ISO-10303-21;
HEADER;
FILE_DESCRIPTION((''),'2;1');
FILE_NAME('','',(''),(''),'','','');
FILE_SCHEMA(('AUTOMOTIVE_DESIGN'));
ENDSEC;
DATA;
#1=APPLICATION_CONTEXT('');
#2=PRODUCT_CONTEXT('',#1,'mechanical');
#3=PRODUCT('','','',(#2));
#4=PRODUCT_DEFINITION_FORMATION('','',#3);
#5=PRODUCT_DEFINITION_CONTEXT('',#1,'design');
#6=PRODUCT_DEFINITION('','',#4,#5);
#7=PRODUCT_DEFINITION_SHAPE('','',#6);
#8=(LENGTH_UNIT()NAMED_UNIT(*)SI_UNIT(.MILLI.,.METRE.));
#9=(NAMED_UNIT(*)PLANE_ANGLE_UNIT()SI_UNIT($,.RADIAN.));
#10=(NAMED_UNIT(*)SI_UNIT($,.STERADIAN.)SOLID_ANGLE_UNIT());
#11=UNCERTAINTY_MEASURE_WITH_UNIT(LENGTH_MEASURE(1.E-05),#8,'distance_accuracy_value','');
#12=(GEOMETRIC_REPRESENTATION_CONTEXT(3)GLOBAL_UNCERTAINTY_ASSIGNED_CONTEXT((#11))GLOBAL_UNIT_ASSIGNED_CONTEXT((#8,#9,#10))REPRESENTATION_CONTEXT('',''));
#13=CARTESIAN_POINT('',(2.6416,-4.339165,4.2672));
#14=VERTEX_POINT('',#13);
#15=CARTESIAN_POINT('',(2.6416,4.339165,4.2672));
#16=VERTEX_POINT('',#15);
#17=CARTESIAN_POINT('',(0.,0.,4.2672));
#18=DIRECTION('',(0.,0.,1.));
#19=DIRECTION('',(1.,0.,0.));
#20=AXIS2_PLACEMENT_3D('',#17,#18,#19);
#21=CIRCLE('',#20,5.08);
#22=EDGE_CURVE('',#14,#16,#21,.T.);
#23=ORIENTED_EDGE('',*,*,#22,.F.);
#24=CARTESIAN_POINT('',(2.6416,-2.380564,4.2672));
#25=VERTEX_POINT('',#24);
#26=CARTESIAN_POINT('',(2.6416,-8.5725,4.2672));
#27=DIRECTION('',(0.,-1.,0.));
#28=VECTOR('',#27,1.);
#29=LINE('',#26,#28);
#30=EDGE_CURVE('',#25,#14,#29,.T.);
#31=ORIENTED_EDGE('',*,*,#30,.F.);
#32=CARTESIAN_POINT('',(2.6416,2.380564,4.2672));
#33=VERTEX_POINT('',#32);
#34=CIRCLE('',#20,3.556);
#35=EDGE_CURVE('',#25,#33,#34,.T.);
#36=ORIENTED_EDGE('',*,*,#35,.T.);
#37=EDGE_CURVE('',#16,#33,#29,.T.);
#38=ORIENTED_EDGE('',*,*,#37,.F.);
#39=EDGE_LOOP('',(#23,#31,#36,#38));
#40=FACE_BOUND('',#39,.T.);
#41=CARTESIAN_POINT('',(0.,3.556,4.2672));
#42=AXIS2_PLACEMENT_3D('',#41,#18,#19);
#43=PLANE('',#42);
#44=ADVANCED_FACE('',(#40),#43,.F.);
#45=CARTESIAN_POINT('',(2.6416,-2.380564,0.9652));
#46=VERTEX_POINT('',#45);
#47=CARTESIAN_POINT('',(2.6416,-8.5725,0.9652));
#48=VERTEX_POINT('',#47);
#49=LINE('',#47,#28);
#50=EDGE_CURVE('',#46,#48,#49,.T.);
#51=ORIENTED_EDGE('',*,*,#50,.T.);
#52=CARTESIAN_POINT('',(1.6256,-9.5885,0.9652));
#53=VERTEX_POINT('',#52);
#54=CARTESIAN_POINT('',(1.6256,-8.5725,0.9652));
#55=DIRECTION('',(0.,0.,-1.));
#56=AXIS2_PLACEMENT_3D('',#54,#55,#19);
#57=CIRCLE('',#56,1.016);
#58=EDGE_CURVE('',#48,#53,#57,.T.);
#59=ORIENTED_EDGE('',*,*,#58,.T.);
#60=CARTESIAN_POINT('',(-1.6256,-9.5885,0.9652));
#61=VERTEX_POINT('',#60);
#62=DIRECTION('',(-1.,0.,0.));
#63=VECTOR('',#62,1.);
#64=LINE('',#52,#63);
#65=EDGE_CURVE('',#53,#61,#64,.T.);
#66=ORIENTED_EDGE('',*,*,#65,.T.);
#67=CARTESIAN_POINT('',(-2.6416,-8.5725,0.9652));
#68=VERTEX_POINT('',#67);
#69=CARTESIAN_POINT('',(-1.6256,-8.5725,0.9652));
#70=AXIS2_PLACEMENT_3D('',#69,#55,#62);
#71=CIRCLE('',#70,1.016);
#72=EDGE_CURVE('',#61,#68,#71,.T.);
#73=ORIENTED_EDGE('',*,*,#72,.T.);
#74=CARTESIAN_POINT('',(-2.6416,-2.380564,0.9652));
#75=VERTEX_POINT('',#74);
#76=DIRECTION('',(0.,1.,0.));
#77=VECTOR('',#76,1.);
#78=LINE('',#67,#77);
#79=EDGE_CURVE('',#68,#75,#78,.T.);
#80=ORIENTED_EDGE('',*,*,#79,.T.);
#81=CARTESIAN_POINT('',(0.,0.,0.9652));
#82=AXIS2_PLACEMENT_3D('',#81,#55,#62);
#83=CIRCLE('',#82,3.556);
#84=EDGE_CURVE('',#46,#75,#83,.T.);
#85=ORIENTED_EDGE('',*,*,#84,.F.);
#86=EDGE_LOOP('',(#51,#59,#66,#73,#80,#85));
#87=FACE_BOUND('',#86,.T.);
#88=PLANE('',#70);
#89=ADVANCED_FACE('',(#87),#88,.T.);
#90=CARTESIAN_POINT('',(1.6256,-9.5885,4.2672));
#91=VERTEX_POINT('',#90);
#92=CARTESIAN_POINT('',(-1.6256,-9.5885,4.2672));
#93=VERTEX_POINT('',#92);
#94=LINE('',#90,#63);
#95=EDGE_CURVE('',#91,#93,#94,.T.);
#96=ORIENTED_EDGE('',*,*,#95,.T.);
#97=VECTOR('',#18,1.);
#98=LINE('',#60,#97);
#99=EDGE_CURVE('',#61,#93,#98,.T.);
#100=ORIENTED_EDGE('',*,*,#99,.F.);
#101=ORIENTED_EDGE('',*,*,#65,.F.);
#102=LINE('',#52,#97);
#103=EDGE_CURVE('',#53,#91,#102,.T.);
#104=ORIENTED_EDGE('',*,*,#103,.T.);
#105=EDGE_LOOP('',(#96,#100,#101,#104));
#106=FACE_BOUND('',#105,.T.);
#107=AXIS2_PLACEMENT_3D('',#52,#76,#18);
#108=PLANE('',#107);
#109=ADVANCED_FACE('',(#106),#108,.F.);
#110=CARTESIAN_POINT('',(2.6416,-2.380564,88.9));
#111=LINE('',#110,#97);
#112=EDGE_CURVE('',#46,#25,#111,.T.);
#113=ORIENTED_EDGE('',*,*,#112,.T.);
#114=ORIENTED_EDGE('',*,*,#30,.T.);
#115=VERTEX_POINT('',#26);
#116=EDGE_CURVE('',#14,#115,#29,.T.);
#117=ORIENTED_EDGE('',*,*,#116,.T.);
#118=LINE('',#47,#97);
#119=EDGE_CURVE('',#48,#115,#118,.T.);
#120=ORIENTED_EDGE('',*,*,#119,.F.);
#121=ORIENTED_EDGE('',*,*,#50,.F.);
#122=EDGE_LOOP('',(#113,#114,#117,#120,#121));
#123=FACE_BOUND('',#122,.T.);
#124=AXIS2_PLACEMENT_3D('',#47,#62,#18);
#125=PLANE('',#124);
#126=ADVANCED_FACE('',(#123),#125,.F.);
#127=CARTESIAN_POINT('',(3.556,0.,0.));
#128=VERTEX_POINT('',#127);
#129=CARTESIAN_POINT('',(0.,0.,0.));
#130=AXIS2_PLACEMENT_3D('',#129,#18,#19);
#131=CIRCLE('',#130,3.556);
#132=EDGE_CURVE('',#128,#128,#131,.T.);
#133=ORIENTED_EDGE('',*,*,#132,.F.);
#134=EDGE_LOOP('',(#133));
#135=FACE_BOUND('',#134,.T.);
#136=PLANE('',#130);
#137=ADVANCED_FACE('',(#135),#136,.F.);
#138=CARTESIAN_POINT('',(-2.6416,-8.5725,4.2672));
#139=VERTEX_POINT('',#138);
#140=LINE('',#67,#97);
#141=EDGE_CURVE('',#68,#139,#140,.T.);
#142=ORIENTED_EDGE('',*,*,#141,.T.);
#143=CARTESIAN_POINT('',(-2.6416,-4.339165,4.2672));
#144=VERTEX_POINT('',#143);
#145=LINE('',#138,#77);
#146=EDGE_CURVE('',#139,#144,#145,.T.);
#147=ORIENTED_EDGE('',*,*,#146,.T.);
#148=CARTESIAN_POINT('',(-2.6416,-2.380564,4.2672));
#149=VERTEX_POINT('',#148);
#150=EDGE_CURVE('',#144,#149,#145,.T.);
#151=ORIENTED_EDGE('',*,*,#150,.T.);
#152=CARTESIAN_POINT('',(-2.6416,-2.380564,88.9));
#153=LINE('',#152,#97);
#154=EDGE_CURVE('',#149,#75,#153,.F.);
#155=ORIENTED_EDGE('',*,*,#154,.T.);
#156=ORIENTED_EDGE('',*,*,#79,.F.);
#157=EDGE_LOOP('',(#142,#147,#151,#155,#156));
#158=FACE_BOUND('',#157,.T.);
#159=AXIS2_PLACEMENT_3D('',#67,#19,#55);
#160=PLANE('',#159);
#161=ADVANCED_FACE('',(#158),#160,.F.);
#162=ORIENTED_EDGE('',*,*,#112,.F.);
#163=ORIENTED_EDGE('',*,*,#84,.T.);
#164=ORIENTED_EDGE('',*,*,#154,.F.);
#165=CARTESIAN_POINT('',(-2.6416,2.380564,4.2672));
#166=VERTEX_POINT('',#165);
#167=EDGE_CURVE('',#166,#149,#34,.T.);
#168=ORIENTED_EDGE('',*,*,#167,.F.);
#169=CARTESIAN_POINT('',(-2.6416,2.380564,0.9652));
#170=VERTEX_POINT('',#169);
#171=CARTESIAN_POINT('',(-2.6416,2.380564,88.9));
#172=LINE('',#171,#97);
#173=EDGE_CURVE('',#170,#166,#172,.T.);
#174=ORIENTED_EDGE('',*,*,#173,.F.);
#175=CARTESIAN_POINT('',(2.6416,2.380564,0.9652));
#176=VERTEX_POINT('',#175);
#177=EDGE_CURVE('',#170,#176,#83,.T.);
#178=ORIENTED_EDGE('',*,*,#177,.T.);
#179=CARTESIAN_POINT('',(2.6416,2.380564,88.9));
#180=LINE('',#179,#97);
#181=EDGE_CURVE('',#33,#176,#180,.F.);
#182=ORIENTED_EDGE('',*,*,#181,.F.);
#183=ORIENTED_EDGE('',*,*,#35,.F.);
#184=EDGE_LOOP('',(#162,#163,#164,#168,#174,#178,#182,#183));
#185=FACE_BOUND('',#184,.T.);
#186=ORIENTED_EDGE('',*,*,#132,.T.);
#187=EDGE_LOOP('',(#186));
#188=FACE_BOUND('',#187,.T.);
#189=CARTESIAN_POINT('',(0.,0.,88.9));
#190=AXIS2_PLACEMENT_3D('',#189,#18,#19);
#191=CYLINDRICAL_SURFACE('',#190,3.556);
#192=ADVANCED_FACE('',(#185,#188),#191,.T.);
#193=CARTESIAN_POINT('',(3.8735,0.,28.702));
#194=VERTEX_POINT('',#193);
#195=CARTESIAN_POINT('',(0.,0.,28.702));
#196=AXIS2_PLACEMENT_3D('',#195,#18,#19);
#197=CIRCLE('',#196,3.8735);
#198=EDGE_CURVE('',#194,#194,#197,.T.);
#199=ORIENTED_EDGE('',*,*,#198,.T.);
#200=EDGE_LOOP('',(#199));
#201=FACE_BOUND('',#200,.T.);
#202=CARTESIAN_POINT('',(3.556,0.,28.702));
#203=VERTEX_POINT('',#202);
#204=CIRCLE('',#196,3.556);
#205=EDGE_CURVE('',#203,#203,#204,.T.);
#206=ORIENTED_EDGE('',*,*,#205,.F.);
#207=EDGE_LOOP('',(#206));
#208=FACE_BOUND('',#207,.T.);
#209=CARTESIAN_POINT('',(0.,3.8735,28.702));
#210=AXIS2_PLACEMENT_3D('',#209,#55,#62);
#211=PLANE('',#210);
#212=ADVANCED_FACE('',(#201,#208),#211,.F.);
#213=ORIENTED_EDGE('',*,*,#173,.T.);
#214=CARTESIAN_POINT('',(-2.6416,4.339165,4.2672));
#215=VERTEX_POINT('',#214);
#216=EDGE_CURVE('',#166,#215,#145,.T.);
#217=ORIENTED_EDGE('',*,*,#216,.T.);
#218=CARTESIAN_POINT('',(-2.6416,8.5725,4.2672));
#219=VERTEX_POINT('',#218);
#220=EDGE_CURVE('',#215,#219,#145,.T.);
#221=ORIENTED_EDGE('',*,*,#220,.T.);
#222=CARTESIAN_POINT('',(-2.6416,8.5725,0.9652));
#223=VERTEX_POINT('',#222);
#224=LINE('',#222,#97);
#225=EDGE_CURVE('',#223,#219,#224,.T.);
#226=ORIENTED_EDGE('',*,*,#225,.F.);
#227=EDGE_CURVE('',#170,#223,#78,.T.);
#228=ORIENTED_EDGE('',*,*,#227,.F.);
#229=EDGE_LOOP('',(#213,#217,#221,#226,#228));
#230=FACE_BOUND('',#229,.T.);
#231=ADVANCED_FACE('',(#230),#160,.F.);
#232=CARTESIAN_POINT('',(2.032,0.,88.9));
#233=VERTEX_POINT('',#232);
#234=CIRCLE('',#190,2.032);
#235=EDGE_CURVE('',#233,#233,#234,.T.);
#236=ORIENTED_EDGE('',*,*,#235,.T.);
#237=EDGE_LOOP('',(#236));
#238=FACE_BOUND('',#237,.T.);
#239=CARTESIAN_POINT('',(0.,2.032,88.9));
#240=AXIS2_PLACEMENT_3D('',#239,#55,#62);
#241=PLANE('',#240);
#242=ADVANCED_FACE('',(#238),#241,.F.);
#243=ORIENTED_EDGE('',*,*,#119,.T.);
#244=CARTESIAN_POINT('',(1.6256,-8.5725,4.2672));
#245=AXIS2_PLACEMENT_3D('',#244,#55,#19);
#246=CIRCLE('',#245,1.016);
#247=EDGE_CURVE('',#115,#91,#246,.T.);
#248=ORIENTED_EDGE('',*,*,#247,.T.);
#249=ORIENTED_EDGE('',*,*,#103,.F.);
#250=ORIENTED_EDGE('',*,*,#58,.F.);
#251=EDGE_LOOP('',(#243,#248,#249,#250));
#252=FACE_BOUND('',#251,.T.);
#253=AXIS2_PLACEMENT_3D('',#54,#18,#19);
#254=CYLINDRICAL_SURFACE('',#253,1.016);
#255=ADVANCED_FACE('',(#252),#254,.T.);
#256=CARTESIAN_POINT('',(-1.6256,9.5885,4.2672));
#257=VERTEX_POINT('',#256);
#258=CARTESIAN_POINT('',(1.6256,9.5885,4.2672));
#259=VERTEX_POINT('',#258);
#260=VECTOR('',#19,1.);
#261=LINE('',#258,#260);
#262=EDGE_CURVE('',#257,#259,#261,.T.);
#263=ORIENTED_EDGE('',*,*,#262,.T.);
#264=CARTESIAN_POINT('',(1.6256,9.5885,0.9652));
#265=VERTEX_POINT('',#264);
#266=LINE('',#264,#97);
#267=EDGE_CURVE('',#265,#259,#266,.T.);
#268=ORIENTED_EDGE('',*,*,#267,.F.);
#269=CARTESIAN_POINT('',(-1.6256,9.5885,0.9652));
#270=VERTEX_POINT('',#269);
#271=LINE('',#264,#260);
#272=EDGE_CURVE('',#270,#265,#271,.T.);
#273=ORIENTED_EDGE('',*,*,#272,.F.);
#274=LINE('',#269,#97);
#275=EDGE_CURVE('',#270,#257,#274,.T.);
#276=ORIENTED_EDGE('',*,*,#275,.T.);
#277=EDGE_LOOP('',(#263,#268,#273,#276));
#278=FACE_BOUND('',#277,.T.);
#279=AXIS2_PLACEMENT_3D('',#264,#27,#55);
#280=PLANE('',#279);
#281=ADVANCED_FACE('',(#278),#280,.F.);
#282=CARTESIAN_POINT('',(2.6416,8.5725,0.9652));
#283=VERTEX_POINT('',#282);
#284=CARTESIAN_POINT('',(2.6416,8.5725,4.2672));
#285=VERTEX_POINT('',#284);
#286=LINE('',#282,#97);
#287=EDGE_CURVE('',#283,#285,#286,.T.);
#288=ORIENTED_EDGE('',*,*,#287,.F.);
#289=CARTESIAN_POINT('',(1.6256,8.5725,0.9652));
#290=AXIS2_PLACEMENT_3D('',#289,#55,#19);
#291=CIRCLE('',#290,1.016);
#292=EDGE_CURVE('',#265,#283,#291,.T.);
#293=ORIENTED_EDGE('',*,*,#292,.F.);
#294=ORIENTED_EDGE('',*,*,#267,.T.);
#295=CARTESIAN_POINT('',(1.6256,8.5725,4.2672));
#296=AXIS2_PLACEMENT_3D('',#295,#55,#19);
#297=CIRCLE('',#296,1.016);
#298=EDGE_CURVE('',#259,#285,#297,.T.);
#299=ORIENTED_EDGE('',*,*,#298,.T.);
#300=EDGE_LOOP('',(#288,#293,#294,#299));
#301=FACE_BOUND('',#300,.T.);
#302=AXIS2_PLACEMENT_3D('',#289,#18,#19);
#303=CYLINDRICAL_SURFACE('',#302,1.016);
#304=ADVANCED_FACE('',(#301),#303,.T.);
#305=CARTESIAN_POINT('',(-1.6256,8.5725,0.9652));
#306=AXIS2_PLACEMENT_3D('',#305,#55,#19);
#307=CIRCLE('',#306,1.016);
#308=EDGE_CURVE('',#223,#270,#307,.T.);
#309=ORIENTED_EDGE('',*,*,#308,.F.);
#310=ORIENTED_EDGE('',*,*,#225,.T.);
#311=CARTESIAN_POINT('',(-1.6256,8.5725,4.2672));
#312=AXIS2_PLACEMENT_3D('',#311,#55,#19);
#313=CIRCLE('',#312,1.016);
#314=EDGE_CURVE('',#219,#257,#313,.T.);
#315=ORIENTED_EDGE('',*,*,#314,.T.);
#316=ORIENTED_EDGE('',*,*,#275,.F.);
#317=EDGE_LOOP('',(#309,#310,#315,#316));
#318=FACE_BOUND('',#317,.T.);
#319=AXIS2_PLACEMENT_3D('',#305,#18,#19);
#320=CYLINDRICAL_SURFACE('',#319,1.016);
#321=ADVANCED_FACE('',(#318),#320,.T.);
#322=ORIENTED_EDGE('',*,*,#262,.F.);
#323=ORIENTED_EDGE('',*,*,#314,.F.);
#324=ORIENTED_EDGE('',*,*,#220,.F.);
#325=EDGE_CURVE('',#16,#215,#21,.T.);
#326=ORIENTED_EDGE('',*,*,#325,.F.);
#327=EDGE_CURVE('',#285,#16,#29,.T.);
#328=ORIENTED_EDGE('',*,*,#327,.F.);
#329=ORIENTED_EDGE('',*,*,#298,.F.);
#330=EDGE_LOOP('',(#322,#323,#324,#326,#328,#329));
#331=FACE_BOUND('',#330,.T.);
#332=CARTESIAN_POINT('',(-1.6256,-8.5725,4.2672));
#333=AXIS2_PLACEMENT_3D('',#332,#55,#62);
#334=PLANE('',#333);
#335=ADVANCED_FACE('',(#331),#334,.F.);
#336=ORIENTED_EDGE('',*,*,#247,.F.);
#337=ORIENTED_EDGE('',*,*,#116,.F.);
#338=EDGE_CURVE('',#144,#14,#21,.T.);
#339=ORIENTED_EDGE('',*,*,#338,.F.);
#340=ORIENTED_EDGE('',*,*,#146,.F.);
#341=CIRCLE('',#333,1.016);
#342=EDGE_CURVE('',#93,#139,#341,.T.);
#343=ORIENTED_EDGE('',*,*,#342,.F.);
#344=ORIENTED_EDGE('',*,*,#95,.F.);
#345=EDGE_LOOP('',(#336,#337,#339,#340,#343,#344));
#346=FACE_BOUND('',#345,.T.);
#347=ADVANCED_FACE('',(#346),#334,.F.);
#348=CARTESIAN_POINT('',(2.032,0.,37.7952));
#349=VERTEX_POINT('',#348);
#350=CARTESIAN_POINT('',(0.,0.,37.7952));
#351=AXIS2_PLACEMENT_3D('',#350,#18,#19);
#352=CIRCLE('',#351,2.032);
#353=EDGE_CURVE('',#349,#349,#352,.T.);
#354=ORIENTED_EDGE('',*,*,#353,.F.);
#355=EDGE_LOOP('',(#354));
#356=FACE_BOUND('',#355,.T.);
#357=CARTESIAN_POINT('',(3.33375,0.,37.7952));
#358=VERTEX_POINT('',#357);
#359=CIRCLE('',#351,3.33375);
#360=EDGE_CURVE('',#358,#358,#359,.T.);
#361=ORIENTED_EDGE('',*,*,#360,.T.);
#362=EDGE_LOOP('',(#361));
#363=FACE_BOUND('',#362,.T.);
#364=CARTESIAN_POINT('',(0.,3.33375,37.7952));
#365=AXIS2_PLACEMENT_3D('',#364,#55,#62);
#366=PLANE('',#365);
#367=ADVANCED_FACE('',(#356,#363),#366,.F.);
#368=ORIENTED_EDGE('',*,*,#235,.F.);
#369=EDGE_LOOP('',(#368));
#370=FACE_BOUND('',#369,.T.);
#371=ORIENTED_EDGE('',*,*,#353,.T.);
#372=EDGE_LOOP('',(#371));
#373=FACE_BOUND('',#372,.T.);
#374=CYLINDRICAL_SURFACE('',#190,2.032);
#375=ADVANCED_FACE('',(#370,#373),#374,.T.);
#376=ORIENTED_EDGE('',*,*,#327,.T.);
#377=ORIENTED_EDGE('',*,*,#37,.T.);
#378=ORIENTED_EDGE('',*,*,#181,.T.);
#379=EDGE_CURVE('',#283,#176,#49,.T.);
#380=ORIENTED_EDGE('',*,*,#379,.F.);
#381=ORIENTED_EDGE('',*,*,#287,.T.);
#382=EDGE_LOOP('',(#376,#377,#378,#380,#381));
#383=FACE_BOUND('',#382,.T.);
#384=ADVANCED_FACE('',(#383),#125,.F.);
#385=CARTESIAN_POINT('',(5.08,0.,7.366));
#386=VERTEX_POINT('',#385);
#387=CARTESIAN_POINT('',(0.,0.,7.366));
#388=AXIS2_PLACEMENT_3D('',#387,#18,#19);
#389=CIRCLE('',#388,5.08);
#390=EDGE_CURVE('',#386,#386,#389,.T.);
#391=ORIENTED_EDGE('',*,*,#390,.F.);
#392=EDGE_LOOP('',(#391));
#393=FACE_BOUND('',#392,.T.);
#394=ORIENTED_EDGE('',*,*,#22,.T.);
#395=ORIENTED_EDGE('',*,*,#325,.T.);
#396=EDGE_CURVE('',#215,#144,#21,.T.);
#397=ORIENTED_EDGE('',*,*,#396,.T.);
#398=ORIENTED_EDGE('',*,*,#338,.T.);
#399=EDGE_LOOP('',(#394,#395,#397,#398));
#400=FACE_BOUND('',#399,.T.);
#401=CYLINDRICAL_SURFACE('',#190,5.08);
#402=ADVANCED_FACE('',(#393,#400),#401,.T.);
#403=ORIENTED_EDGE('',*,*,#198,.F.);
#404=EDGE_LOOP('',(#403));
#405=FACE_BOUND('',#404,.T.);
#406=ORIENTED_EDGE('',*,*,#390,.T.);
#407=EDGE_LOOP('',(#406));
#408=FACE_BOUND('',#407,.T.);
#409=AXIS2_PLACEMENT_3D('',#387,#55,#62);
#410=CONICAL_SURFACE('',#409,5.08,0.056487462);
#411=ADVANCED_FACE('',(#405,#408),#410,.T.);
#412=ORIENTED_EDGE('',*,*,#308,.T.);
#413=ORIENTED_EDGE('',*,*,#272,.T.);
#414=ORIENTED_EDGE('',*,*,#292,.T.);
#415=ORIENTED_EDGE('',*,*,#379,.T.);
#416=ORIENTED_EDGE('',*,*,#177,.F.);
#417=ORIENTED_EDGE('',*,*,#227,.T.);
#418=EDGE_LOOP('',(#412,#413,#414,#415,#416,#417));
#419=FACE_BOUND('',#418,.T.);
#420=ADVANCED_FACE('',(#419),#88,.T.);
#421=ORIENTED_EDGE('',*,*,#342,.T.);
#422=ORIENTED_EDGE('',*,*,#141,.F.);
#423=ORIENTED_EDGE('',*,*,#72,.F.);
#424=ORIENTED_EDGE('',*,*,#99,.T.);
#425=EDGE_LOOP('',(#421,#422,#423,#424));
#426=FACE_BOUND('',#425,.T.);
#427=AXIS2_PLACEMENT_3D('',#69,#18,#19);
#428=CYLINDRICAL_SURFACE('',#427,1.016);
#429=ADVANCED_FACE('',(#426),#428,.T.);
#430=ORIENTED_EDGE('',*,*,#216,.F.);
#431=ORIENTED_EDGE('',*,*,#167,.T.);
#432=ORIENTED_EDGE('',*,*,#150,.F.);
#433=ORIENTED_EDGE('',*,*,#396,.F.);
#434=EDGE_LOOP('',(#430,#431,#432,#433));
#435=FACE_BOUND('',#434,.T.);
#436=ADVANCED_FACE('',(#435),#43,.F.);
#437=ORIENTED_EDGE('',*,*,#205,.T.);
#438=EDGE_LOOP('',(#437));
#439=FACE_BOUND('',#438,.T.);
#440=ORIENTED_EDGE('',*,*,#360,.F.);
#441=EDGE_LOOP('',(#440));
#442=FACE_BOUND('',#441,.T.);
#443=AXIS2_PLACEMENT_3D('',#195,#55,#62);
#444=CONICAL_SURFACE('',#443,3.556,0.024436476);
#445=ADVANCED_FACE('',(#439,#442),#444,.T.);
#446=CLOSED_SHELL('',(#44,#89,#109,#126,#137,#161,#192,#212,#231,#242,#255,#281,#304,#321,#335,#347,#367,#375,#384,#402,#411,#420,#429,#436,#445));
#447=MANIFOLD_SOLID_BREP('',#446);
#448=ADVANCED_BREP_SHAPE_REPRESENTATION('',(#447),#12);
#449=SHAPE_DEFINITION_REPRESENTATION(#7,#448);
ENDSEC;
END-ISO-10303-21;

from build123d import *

# Parameters (mm, degrees)
BOSS_EXTRUDE1_DEPTH = 3.302


with BuildPart() as part:
    # Sketch2 → Revolve1 (revolve)
    with BuildSketch(Plane(origin=(0, 0, 0), x_dir=(0, 0, -1), z_dir=(1, 0, 0)), mode=Mode.PRIVATE) as revolve1_sk:
        Polygon((0, 3.556), (-4.2672, 3.556), (-4.2672, 5.08), (-7.366, 5.08), (-28.702, 3.8735), (-28.702, 3.556), (-37.7952, 3.33375), (-37.7952, 2.032), (-88.9, 2.032), (-88.9, 0), (0, 0), align=None)
    revolve(revolve1_sk.sketch.rotate(Axis((0, 0, 88.9), (0, 0, -1)), 90), axis=Axis((0, 0, 88.9), (0, 0, -1)))

    # Sketch3 → Boss-Extrude1 (add)
    with BuildSketch(Plane(origin=(0, 0, 4.2672), x_dir=(-1, 0, 0), z_dir=(0, 0, -1))):
        with BuildLine():
            Line((-1.6256, -9.5885), (1.6256, -9.5885))
            ThreePointArc((1.6256, -9.5885), (2.34402049, -9.29092049), (2.6416, -8.5725))
            Line((2.6416, -8.5725), (2.6416, 8.5725))
            ThreePointArc((2.6416, 8.5725), (2.34402049, 9.29092049), (1.6256, 9.5885))
            Line((1.6256, 9.5885), (-1.6256, 9.5885))
            ThreePointArc((-1.6256, 9.5885), (-2.34402049, 9.29092049), (-2.6416, 8.5725))
            Line((-2.6416, 8.5725), (-2.6416, -8.5725))
            ThreePointArc((-2.6416, -8.5725), (-2.34402049, -9.29092049), (-1.6256, -9.5885))
        make_face()
    extrude(amount=BOSS_EXTRUDE1_DEPTH)


solid = part.part
